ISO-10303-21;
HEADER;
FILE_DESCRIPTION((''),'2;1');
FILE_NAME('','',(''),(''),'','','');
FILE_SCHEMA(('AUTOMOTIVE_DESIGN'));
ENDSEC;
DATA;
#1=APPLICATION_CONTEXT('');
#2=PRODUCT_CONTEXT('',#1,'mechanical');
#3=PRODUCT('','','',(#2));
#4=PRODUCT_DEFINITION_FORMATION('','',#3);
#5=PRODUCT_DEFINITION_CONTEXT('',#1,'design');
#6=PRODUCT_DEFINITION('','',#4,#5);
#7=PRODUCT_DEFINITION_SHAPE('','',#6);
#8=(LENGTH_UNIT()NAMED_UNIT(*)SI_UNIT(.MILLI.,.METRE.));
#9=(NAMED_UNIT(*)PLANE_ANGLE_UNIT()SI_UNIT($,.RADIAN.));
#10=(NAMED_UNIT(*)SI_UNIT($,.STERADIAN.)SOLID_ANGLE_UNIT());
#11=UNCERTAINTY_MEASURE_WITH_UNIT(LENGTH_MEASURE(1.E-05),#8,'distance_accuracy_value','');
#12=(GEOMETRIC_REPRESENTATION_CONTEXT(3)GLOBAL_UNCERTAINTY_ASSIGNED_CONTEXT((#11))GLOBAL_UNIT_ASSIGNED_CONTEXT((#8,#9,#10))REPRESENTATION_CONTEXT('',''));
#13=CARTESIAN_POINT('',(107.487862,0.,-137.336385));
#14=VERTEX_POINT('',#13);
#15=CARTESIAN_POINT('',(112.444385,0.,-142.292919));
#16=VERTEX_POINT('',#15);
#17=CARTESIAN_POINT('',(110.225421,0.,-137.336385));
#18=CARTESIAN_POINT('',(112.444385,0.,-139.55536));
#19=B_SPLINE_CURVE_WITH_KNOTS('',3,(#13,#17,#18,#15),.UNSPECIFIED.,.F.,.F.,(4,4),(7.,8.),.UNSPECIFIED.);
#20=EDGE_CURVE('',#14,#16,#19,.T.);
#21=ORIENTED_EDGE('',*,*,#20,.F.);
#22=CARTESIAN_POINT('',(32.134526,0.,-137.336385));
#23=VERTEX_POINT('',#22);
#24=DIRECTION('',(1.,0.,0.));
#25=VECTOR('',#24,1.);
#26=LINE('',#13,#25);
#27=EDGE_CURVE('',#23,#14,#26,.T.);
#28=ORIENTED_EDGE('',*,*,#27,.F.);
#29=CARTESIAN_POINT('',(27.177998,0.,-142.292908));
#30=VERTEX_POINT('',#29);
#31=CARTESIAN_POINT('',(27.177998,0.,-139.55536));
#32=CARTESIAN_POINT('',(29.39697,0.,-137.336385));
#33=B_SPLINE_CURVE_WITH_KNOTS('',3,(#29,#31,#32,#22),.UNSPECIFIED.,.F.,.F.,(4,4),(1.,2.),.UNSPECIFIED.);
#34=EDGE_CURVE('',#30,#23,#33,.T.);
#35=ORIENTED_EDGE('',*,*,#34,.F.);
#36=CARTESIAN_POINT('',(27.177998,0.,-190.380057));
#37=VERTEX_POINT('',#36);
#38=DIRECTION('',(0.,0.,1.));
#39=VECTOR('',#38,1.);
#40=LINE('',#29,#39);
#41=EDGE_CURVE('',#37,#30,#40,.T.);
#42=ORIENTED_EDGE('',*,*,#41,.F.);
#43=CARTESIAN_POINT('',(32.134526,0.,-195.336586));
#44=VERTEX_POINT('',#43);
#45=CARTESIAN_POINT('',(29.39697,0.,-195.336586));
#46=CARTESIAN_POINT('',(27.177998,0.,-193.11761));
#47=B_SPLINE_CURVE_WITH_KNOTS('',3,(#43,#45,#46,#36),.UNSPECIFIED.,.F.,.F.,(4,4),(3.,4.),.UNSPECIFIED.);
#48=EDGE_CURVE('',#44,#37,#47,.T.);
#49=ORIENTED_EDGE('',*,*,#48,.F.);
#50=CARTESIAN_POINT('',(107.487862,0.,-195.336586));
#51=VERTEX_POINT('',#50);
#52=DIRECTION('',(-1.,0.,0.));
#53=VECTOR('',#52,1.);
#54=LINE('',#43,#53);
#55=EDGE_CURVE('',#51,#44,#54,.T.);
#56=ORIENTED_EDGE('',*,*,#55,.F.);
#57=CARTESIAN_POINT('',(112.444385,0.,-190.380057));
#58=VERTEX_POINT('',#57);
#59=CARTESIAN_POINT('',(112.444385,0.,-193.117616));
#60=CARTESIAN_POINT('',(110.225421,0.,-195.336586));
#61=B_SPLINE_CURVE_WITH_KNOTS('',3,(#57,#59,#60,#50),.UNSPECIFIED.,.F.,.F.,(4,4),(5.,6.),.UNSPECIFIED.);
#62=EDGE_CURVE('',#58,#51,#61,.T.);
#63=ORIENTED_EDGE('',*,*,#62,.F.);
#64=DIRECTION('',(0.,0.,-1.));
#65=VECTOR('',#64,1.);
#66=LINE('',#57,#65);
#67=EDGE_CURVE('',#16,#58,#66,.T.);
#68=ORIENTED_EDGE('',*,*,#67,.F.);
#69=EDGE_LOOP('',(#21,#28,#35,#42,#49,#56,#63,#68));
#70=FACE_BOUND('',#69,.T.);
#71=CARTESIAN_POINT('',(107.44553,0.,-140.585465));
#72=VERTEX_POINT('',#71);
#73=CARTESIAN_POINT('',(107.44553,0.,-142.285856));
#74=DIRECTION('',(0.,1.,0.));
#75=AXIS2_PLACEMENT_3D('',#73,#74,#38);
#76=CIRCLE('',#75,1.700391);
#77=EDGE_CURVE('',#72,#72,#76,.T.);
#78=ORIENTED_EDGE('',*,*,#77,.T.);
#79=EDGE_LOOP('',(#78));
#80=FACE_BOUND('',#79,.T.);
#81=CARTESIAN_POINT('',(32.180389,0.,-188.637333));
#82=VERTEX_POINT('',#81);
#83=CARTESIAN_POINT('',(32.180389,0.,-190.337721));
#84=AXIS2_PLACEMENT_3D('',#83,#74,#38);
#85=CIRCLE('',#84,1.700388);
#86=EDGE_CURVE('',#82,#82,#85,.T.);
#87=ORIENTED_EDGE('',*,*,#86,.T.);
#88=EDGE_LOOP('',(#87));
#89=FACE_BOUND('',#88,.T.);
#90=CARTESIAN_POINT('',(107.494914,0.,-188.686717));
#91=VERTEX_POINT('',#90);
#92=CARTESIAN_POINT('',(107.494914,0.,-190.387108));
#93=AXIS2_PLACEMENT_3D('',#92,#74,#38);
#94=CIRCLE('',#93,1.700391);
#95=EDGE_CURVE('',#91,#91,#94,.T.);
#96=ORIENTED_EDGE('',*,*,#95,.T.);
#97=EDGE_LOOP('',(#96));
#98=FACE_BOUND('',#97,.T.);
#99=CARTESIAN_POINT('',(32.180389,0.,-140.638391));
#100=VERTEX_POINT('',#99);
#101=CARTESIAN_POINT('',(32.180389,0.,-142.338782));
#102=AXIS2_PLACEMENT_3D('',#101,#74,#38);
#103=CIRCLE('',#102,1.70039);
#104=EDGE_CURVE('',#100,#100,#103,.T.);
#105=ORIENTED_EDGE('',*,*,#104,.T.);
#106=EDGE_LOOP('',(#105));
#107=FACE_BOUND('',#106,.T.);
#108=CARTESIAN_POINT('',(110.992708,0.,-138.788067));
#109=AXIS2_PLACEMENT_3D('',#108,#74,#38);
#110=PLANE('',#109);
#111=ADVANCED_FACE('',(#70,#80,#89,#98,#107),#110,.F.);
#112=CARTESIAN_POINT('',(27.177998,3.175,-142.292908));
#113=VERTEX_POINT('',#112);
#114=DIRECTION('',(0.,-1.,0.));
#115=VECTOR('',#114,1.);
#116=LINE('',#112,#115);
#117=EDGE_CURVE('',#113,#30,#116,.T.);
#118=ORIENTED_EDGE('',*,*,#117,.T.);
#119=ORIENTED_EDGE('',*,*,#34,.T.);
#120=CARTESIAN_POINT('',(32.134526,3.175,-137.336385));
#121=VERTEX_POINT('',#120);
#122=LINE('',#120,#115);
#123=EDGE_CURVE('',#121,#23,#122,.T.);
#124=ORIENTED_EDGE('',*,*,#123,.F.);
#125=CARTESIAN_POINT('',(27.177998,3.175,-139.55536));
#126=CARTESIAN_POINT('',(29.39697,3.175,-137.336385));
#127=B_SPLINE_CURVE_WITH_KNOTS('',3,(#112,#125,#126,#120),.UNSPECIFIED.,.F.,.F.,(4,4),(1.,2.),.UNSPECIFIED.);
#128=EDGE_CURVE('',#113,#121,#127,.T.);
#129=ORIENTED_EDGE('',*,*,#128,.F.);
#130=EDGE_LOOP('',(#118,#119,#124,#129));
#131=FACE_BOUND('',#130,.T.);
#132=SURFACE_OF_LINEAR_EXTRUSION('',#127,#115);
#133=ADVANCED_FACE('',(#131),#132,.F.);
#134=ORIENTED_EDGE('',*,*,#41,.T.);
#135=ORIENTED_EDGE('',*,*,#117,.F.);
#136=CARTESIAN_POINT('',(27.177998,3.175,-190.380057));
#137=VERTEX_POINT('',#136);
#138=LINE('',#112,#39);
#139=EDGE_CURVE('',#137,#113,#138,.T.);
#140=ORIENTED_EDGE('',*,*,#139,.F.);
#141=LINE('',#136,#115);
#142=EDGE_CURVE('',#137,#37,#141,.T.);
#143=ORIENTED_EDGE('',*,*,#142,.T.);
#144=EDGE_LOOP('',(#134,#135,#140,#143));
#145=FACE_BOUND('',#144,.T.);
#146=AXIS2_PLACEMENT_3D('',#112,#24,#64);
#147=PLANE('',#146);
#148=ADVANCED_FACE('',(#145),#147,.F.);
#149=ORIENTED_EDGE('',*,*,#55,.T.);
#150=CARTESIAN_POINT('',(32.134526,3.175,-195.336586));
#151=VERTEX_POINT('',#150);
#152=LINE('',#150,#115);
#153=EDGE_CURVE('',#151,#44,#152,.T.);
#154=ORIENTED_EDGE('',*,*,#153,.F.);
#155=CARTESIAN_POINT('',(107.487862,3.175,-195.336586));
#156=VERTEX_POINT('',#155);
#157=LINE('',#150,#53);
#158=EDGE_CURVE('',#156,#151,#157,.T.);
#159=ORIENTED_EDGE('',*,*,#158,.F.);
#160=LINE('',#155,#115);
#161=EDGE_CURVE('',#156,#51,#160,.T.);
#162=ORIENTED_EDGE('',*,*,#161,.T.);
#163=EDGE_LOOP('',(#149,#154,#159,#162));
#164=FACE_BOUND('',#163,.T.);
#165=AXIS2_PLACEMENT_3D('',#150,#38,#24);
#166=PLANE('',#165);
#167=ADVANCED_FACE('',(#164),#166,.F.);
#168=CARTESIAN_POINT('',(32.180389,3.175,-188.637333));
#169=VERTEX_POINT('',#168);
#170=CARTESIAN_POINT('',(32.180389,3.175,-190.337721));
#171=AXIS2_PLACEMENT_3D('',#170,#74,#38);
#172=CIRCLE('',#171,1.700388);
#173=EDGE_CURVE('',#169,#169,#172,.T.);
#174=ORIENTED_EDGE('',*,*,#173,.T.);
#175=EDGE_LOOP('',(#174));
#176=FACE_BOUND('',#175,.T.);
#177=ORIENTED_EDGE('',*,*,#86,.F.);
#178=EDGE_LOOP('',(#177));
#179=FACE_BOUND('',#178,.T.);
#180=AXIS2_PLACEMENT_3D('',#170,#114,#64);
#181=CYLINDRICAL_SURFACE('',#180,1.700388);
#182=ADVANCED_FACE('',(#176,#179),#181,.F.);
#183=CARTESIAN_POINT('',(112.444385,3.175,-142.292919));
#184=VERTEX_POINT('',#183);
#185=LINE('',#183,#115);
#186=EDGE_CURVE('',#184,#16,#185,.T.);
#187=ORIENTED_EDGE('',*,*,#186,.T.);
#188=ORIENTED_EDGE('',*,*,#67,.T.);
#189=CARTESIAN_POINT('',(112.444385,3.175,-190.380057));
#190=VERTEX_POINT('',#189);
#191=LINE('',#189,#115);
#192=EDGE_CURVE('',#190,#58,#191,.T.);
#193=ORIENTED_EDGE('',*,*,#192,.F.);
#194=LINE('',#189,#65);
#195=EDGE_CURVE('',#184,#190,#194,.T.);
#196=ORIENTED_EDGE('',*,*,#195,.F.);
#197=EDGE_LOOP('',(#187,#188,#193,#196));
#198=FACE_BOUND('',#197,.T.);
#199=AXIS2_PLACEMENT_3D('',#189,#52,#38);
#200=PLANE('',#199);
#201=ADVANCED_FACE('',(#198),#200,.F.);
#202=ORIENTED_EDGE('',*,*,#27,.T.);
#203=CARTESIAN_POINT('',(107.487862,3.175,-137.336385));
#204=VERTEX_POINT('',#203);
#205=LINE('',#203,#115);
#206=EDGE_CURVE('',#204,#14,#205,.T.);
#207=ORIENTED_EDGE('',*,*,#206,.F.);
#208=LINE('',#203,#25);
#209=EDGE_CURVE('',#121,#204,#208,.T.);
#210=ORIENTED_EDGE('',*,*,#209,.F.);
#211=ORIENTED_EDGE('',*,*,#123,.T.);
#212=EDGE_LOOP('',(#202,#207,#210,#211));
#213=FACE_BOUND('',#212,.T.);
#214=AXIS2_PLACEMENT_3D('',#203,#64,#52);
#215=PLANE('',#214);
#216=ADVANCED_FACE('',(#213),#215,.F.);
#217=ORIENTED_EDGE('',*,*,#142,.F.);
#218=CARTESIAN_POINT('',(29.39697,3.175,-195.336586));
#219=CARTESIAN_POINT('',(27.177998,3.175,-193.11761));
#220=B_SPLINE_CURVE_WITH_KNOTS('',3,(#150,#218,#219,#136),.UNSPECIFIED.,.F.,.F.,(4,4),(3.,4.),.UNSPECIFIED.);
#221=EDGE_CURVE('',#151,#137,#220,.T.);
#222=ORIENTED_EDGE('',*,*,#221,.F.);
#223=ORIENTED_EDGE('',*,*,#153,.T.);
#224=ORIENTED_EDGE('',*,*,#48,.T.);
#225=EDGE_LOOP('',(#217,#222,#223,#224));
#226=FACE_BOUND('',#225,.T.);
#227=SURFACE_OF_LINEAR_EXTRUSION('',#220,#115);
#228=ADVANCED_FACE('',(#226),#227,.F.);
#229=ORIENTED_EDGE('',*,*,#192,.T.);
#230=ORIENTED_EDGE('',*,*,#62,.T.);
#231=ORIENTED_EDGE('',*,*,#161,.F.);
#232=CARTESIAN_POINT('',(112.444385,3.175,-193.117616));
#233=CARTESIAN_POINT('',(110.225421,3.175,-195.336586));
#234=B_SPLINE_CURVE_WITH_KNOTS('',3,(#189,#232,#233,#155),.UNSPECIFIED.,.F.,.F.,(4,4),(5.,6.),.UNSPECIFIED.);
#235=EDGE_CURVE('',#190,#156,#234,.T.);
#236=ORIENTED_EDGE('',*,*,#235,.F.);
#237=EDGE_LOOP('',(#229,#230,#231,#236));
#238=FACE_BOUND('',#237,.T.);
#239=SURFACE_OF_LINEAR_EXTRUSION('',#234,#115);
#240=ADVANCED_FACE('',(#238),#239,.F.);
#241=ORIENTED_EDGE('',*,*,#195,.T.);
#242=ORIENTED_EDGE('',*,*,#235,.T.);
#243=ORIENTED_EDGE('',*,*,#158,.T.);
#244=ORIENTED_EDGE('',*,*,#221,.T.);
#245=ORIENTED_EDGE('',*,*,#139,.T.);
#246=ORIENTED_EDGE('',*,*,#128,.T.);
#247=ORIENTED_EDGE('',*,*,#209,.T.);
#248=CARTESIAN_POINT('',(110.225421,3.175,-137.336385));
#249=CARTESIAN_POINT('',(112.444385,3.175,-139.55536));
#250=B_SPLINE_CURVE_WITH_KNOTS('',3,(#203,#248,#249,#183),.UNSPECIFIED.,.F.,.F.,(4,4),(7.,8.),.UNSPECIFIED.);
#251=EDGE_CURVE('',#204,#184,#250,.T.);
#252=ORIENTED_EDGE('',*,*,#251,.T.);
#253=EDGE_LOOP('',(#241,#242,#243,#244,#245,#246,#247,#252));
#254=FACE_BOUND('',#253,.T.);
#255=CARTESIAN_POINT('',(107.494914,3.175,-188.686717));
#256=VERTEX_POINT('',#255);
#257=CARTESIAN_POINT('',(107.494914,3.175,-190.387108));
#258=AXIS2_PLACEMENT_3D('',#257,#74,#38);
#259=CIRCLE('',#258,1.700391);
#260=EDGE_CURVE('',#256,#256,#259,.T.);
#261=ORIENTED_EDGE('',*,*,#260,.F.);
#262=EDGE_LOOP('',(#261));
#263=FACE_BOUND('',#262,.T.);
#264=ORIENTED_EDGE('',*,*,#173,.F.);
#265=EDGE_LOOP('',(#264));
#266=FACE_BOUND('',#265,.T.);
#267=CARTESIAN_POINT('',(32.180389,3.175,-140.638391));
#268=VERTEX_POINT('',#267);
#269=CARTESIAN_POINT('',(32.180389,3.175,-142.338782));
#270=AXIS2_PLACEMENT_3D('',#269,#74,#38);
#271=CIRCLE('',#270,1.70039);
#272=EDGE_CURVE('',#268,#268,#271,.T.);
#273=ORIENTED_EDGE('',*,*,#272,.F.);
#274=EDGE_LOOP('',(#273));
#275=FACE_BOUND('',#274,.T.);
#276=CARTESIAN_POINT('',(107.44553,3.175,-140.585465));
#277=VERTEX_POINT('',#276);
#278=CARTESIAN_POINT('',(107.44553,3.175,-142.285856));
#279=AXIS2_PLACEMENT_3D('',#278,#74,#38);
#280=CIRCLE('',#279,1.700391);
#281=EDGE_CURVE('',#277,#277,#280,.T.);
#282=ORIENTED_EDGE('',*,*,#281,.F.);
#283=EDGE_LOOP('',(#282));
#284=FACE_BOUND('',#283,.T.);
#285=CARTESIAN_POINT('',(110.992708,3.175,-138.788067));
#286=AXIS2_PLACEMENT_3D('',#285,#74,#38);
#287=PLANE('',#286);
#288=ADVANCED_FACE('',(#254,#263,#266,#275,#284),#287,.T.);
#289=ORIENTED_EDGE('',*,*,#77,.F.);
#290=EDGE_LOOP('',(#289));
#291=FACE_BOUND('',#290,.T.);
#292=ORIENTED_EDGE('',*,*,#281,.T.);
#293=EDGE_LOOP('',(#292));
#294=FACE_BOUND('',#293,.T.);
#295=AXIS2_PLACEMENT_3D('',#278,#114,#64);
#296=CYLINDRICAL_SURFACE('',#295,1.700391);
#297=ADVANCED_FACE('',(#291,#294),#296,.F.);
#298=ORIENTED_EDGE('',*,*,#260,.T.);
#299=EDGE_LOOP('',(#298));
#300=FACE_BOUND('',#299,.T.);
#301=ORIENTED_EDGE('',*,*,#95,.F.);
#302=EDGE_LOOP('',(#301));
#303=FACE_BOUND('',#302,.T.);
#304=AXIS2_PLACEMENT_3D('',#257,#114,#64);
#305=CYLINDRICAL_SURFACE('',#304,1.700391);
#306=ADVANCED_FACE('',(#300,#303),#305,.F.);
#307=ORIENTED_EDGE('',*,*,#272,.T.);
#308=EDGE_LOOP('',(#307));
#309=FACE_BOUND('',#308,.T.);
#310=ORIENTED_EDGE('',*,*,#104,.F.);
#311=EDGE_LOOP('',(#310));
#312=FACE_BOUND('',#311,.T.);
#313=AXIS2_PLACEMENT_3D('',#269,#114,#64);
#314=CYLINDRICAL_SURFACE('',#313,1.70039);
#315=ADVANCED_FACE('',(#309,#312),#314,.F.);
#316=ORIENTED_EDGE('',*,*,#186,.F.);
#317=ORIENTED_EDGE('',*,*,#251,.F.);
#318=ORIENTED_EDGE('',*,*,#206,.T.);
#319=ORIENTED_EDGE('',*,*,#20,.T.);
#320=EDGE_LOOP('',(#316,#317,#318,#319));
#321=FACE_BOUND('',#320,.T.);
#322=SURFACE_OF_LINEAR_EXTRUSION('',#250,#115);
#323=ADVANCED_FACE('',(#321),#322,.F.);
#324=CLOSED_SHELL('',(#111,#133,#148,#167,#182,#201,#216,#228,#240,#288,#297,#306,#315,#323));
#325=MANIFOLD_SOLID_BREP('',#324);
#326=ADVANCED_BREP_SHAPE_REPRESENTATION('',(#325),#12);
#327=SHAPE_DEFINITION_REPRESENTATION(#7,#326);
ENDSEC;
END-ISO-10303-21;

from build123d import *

# Parameters (mm, degrees)
SKETCH2_R           = 1.700388108
SKETCH2_R_2         = 1.700390127
SKETCH2_R_3         = 1.700391472
BOSS_EXTRUDE2_DEPTH = 3.175


with BuildPart() as part:
    # Sketch2 → Boss-Extrude2 (new body)
    with BuildSketch(Plane(origin=(0, 0, 0), x_dir=(1, 0, 0), z_dir=(0, 1, 0))):
        with BuildLine():
            Line((107.487861946, 137.336384548), (32.134526478, 137.336384548))
            add(Edge.make_bspline(
                [(32.134526478, 137.336384548), (29.396970169, 137.336384548), (27.177997625, 139.555359784), (27.177997625, 142.292908018)],
                knots=[1, 1, 1, 1, 2, 2, 2, 2], degree=3))
            Line((27.177997625, 142.292908018), (27.177997625, 190.3800568))
            add(Edge.make_bspline(
                [(27.177997625, 190.3800568), (27.177997625, 193.117610417), (29.396970169, 195.336585653), (32.134526478, 195.336585653)],
                knots=[3, 3, 3, 3, 4, 4, 4, 4], degree=3))
            Line((32.134526478, 195.336585653), (107.487861946, 195.336585653))
            add(Edge.make_bspline(
                [(107.487861946, 195.336585653), (110.225420945, 195.336585653), (112.444385416, 193.1176158), (112.444385416, 190.3800568)],
                knots=[5, 5, 5, 5, 6, 6, 6, 6], degree=3))
            Line((112.444385416, 190.3800568), (112.444385416, 142.292918784))
            add(Edge.make_bspline(
                [(112.444385416, 142.292918784), (112.444385416, 139.555359784), (110.225420945, 137.336384548), (107.487861946, 137.336384548)],
                knots=[7, 7, 7, 7, 8, 8, 8, 8], degree=3))
        make_face()
        with Locations(Location((32.180389311, 190.337721152, 0), (0, 0, 270))):
            Circle(SKETCH2_R, mode=Mode.SUBTRACT)
        with Locations(Location((32.180389311, 142.338781618, 0), (0, 0, 270))):
            Circle(SKETCH2_R_2, mode=Mode.SUBTRACT)
        with Locations(Location((107.445530335, 142.285856339, 0), (0, 0, 270))):
            Circle(SKETCH2_R_3, mode=Mode.SUBTRACT)
        with Locations(Location((107.494913625, 190.38710848, 0), (0, 0, 270))):
            Circle(SKETCH2_R_3, mode=Mode.SUBTRACT)
    extrude(amount=BOSS_EXTRUDE2_DEPTH)


solid = part.part
